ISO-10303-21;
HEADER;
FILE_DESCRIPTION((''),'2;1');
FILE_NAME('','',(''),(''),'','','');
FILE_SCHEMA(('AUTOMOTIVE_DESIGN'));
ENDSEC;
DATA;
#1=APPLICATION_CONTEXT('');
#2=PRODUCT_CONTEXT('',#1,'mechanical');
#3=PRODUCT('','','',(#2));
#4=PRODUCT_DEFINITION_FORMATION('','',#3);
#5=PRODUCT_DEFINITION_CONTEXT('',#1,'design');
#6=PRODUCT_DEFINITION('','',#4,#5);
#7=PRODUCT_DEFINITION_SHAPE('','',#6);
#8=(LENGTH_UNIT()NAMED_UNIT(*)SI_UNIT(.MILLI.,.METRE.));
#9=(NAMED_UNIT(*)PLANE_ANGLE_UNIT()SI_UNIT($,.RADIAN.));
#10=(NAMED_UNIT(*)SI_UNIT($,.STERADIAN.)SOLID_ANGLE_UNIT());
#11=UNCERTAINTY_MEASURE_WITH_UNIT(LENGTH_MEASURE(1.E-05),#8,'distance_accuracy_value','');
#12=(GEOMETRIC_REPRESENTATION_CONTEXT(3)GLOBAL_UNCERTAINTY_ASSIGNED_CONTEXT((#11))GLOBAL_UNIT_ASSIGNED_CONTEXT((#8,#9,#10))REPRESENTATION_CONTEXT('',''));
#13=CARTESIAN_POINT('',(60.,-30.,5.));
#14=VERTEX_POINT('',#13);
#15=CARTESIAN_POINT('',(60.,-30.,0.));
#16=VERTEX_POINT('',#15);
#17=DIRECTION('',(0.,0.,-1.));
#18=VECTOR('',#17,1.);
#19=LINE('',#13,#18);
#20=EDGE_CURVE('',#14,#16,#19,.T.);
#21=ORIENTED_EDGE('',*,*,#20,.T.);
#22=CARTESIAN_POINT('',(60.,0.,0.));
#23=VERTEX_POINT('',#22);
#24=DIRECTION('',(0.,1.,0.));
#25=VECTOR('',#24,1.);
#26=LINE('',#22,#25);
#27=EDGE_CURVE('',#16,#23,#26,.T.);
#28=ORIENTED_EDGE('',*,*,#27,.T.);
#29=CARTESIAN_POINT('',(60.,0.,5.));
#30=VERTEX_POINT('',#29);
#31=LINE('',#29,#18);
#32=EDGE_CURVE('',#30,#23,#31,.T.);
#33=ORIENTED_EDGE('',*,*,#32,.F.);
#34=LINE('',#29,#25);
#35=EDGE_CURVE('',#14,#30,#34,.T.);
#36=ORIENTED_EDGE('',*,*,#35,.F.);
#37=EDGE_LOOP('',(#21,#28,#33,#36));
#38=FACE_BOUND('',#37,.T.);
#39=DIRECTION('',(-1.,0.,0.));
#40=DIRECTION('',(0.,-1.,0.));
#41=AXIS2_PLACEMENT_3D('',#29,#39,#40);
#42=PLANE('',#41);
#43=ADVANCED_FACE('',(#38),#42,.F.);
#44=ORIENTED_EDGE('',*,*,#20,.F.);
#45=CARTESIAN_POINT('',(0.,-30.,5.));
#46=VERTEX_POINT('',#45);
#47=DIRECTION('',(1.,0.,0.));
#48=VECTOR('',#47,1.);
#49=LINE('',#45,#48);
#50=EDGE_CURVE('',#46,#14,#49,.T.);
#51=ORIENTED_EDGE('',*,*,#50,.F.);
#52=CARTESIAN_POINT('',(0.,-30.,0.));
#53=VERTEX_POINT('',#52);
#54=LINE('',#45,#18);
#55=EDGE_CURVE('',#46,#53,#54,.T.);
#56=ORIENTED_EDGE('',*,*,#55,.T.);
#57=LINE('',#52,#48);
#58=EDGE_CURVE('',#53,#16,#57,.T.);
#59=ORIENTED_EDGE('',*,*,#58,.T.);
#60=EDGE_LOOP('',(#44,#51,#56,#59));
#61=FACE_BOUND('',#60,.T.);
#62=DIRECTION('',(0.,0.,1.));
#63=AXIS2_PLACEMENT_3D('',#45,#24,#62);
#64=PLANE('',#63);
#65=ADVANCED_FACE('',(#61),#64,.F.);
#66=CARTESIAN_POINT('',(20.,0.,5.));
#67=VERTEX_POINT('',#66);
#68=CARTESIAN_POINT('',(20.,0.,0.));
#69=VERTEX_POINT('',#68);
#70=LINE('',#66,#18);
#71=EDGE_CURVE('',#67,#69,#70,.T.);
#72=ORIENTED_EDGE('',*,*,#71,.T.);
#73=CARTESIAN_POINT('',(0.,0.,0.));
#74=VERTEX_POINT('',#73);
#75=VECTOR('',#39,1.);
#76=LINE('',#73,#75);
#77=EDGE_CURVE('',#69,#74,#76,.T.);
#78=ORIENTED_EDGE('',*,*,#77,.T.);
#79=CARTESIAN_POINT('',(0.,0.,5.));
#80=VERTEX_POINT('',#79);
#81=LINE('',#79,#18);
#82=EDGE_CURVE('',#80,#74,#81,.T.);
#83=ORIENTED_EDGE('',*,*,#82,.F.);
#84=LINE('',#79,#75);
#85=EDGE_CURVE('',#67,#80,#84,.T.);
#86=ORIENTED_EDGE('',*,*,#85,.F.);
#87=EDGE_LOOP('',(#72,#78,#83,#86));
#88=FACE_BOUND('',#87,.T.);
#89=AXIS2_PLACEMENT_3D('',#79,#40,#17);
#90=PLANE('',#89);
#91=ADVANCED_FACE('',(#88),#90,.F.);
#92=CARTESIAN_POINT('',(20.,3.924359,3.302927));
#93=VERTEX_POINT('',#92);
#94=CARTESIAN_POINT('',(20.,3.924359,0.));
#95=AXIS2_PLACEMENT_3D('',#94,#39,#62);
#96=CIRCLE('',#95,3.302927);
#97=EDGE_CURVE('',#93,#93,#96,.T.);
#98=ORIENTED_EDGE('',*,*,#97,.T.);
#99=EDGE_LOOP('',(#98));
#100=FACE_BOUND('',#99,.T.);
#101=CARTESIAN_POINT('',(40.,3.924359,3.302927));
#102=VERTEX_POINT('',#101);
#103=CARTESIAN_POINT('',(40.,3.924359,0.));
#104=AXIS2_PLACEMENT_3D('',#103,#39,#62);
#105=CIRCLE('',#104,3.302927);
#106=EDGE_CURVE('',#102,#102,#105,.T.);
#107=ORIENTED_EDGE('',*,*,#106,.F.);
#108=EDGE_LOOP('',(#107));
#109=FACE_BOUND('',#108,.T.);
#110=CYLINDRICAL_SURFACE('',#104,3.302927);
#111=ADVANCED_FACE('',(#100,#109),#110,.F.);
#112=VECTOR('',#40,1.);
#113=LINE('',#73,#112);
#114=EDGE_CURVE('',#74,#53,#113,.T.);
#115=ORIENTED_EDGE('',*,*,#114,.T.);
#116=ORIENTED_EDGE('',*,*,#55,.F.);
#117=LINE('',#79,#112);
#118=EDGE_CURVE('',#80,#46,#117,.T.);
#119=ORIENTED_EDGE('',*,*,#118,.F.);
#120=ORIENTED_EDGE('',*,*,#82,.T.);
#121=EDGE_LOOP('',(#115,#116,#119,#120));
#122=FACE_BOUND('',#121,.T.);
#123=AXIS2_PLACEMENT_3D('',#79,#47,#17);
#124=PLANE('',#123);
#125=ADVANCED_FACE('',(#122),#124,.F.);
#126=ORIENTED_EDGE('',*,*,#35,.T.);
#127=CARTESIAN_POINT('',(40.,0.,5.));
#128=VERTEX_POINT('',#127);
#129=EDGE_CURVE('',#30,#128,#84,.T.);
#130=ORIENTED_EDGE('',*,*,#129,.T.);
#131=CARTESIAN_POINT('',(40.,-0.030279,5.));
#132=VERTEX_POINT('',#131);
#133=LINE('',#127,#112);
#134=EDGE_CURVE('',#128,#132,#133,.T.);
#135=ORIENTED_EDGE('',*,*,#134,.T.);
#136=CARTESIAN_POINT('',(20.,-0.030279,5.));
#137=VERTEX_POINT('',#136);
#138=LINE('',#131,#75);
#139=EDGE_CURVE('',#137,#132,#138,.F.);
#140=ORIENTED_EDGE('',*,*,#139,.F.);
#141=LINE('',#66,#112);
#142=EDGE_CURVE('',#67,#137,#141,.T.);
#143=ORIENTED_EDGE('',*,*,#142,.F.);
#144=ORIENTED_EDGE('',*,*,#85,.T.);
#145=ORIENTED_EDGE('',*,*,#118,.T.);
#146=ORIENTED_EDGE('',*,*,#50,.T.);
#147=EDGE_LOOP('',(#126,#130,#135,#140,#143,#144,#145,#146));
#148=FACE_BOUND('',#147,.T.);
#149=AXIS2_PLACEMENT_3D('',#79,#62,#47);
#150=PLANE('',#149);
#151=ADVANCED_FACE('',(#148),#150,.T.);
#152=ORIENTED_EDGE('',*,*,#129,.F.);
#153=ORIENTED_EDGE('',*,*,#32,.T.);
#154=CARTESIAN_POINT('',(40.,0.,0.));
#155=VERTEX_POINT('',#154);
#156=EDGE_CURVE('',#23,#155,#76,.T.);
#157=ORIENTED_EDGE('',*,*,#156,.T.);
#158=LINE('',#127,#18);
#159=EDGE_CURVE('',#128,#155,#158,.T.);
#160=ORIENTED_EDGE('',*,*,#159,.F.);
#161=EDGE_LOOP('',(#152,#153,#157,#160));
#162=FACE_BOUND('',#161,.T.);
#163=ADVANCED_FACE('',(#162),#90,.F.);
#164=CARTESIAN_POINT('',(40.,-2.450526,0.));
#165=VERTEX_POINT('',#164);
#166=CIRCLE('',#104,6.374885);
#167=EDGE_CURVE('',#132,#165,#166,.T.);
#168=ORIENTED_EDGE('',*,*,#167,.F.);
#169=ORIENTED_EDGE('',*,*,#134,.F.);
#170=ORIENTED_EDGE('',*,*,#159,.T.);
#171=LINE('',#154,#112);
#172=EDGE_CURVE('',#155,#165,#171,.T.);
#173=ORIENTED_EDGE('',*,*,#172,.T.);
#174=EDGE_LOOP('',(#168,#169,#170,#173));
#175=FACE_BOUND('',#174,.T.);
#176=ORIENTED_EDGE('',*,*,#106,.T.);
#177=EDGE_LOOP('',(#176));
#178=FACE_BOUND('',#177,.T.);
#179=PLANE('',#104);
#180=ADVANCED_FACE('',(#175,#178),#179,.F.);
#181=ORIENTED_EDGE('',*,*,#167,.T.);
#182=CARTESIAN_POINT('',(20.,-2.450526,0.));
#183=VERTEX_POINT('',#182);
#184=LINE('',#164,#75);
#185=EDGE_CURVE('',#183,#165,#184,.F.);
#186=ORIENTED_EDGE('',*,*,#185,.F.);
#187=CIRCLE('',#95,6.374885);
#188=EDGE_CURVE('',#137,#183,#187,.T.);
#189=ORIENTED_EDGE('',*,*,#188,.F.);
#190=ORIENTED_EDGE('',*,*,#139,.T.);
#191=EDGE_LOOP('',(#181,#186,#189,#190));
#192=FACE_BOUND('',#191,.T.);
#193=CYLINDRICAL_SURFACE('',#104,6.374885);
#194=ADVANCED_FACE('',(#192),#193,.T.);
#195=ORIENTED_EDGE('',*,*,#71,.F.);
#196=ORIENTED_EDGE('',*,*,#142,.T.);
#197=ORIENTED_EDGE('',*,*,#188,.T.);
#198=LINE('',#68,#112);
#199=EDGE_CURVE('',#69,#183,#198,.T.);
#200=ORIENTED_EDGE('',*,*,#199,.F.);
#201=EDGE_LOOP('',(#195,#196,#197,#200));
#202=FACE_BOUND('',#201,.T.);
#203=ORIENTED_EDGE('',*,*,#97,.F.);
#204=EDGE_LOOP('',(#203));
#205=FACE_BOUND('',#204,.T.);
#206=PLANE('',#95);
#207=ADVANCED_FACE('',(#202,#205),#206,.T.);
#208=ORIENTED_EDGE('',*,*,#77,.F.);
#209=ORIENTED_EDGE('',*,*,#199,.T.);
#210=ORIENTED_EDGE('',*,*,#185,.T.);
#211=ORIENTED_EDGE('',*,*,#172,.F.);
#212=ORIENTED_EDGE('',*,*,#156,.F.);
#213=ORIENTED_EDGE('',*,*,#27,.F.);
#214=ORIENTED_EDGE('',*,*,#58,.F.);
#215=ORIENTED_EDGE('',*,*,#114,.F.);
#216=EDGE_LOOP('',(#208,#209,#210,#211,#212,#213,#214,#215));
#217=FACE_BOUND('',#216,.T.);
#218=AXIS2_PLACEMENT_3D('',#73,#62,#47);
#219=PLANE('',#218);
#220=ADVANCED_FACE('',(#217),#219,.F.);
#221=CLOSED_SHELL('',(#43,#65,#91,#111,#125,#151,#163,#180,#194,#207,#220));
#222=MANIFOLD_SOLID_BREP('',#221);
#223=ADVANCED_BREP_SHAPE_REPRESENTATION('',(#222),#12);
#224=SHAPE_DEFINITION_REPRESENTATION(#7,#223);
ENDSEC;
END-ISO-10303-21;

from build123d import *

# Parameters (mm, degrees)
SKETCH1_W           = 60
SKETCH1_H           = 30
BOSS_EXTRUDE1_DEPTH = 5
SKETCH6_R           = 6.374885251
SKETCH6_R_2         = 3.302926723
BOSS_EXTRUDE5_DEPTH = 20


with BuildPart() as part:
    # Sketch1 → Boss-Extrude1 (new body)
    with BuildSketch(Plane.XY):
        with Locations((30, -15)):
            Rectangle(SKETCH1_W, SKETCH1_H)
    extrude(amount=BOSS_EXTRUDE1_DEPTH)

    # Sketch6 → Boss-Extrude5 (add)
    with BuildSketch(Plane.ZY.offset(-20)):
        with Locations((0, 3.924359496)):
            Circle(SKETCH6_R)
        with Locations((0, 3.924359496)):
            Circle(SKETCH6_R_2, mode=Mode.SUBTRACT)
    extrude(amount=-BOSS_EXTRUDE5_DEPTH)


solid = part.part
